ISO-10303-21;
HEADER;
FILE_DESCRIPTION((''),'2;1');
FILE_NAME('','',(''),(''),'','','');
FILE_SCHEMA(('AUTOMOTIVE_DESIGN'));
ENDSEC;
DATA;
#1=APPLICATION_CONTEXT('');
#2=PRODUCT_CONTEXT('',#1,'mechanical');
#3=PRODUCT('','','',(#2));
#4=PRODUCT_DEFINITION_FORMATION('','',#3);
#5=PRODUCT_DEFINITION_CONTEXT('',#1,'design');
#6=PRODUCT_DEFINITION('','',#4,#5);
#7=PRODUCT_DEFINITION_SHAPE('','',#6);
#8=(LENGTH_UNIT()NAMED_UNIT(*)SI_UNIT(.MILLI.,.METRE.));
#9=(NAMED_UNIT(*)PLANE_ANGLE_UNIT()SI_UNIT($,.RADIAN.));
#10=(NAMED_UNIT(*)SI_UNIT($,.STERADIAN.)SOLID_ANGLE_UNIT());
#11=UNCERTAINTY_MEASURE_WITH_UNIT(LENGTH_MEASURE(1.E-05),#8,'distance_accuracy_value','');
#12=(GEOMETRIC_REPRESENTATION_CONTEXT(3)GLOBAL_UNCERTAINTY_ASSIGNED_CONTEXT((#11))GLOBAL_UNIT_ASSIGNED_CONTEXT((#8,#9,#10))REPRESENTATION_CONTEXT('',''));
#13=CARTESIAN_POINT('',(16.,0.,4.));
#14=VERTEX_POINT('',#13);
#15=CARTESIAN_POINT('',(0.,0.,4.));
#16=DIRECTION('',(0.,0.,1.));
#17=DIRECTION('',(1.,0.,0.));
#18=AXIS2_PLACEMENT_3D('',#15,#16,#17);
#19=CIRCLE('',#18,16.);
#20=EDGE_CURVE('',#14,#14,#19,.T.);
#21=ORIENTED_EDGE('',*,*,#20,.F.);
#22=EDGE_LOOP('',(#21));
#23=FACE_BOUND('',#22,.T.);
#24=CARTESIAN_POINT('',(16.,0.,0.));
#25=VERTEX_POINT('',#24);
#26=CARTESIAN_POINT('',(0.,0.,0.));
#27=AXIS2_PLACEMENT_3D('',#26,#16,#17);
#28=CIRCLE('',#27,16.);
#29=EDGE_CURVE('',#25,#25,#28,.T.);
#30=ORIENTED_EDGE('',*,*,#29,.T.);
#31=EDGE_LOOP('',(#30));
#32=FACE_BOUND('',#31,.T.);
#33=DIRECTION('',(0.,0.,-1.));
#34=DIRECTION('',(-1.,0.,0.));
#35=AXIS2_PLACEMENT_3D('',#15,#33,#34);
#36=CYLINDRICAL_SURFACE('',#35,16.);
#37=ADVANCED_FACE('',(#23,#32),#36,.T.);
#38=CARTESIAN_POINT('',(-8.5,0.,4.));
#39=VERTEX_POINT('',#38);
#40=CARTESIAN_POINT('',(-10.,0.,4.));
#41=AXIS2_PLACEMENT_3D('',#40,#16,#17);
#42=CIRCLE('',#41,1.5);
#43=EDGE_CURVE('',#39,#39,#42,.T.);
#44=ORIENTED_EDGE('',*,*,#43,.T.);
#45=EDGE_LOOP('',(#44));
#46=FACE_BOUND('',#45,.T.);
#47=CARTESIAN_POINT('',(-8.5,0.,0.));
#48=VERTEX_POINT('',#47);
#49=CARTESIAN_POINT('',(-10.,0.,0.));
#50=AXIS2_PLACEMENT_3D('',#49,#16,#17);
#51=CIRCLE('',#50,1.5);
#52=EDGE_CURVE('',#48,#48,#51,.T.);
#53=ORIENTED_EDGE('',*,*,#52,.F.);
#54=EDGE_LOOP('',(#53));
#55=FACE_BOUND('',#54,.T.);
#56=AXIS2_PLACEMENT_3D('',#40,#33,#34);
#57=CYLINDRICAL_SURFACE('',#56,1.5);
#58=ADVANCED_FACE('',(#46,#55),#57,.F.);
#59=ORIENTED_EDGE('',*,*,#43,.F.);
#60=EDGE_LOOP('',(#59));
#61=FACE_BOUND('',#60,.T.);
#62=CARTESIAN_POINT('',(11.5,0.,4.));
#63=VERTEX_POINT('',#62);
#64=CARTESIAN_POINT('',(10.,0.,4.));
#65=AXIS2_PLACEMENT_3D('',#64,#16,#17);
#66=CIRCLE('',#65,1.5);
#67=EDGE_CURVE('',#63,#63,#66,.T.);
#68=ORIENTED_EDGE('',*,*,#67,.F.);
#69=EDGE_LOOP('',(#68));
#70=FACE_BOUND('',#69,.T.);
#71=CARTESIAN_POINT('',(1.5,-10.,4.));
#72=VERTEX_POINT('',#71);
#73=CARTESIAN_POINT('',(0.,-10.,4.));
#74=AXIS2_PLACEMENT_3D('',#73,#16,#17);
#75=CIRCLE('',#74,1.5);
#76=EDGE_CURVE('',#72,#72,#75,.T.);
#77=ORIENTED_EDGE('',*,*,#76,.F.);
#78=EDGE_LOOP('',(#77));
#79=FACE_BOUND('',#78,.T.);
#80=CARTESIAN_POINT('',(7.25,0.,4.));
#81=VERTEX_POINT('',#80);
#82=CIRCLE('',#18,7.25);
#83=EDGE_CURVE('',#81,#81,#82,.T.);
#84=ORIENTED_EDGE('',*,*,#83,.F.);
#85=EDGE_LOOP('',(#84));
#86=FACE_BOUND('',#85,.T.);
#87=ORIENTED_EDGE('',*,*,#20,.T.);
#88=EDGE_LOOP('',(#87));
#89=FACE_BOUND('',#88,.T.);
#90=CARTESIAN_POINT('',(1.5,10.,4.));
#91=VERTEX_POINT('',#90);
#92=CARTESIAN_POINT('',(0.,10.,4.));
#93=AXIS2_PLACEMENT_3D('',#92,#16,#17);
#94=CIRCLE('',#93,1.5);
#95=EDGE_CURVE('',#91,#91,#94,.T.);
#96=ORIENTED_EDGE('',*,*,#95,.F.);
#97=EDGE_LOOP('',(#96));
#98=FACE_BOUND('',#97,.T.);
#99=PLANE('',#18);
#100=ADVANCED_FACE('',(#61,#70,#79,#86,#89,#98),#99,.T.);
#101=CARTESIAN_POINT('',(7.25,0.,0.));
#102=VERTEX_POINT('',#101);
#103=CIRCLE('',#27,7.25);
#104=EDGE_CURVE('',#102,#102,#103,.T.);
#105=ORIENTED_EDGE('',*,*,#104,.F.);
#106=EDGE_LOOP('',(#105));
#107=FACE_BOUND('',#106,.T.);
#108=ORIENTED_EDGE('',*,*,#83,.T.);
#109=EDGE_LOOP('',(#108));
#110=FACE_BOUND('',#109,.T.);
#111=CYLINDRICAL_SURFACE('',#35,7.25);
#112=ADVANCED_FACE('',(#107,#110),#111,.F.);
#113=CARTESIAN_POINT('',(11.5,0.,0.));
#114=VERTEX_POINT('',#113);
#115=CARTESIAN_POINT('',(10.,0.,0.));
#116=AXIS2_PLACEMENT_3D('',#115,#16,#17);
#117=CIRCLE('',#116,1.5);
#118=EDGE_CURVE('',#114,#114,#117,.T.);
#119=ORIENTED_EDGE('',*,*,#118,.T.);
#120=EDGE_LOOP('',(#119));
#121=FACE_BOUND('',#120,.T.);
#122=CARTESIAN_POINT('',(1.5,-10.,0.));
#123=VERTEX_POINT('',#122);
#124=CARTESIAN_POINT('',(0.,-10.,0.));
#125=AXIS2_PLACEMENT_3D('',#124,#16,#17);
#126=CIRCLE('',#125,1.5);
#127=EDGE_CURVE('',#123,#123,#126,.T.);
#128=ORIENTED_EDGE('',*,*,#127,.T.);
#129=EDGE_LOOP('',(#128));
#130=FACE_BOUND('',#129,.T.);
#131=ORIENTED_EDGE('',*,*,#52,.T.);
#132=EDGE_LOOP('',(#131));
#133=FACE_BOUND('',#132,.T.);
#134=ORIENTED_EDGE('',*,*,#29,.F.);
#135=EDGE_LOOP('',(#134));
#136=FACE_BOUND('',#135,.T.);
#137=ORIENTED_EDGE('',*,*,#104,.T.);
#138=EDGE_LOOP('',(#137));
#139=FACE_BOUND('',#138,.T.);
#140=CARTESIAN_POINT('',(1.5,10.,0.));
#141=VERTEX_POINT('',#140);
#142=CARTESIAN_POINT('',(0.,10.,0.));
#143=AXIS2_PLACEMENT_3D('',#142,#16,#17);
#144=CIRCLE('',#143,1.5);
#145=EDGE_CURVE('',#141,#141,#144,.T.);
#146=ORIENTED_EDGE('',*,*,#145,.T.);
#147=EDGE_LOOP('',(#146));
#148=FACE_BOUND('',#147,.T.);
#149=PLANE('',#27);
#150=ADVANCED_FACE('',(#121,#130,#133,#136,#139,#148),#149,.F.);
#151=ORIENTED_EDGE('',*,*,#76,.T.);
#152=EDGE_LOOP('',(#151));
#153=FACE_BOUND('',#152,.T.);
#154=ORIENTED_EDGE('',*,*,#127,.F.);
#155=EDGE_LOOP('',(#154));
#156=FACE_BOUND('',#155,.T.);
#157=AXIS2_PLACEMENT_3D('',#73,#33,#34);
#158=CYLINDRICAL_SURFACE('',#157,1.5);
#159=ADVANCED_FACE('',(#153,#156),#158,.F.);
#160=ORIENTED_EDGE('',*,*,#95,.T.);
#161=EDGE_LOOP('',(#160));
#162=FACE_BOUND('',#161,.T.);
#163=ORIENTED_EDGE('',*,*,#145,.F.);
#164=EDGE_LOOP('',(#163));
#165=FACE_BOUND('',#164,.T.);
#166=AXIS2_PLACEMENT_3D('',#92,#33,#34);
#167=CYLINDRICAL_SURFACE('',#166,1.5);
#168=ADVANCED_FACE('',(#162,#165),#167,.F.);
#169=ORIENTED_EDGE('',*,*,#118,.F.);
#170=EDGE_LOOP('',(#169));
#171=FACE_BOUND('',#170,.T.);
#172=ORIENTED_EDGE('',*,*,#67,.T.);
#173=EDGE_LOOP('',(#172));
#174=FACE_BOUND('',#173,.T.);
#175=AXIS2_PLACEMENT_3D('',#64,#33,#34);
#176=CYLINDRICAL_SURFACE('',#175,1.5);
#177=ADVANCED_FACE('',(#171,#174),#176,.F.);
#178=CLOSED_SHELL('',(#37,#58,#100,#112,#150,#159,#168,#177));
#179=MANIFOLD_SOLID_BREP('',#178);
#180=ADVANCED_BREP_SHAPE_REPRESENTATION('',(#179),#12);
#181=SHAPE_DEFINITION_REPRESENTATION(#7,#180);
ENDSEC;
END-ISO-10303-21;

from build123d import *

# Parameters (mm, degrees)
SKETCH1_R           = 16
SKETCH1_R_2         = 7.25
SKETCH1_R_3         = 1.5
BOSS_EXTRUDE1_DEPTH = 4


with BuildPart() as part:
    # Sketch1 → Boss-Extrude1 (new body)
    with BuildSketch(Plane.XY):
        Circle(SKETCH1_R)
        Circle(SKETCH1_R_2, mode=Mode.SUBTRACT)
        with Locations((0, 10)):
            Circle(SKETCH1_R_3, mode=Mode.SUBTRACT)
        with Locations((10, 0)):
            Circle(SKETCH1_R_3, mode=Mode.SUBTRACT)
        with Locations((0, -10)):
            Circle(SKETCH1_R_3, mode=Mode.SUBTRACT)
        with Locations((-10, 0)):
            Circle(SKETCH1_R_3, mode=Mode.SUBTRACT)
    extrude(amount=BOSS_EXTRUDE1_DEPTH)


solid = part.part
